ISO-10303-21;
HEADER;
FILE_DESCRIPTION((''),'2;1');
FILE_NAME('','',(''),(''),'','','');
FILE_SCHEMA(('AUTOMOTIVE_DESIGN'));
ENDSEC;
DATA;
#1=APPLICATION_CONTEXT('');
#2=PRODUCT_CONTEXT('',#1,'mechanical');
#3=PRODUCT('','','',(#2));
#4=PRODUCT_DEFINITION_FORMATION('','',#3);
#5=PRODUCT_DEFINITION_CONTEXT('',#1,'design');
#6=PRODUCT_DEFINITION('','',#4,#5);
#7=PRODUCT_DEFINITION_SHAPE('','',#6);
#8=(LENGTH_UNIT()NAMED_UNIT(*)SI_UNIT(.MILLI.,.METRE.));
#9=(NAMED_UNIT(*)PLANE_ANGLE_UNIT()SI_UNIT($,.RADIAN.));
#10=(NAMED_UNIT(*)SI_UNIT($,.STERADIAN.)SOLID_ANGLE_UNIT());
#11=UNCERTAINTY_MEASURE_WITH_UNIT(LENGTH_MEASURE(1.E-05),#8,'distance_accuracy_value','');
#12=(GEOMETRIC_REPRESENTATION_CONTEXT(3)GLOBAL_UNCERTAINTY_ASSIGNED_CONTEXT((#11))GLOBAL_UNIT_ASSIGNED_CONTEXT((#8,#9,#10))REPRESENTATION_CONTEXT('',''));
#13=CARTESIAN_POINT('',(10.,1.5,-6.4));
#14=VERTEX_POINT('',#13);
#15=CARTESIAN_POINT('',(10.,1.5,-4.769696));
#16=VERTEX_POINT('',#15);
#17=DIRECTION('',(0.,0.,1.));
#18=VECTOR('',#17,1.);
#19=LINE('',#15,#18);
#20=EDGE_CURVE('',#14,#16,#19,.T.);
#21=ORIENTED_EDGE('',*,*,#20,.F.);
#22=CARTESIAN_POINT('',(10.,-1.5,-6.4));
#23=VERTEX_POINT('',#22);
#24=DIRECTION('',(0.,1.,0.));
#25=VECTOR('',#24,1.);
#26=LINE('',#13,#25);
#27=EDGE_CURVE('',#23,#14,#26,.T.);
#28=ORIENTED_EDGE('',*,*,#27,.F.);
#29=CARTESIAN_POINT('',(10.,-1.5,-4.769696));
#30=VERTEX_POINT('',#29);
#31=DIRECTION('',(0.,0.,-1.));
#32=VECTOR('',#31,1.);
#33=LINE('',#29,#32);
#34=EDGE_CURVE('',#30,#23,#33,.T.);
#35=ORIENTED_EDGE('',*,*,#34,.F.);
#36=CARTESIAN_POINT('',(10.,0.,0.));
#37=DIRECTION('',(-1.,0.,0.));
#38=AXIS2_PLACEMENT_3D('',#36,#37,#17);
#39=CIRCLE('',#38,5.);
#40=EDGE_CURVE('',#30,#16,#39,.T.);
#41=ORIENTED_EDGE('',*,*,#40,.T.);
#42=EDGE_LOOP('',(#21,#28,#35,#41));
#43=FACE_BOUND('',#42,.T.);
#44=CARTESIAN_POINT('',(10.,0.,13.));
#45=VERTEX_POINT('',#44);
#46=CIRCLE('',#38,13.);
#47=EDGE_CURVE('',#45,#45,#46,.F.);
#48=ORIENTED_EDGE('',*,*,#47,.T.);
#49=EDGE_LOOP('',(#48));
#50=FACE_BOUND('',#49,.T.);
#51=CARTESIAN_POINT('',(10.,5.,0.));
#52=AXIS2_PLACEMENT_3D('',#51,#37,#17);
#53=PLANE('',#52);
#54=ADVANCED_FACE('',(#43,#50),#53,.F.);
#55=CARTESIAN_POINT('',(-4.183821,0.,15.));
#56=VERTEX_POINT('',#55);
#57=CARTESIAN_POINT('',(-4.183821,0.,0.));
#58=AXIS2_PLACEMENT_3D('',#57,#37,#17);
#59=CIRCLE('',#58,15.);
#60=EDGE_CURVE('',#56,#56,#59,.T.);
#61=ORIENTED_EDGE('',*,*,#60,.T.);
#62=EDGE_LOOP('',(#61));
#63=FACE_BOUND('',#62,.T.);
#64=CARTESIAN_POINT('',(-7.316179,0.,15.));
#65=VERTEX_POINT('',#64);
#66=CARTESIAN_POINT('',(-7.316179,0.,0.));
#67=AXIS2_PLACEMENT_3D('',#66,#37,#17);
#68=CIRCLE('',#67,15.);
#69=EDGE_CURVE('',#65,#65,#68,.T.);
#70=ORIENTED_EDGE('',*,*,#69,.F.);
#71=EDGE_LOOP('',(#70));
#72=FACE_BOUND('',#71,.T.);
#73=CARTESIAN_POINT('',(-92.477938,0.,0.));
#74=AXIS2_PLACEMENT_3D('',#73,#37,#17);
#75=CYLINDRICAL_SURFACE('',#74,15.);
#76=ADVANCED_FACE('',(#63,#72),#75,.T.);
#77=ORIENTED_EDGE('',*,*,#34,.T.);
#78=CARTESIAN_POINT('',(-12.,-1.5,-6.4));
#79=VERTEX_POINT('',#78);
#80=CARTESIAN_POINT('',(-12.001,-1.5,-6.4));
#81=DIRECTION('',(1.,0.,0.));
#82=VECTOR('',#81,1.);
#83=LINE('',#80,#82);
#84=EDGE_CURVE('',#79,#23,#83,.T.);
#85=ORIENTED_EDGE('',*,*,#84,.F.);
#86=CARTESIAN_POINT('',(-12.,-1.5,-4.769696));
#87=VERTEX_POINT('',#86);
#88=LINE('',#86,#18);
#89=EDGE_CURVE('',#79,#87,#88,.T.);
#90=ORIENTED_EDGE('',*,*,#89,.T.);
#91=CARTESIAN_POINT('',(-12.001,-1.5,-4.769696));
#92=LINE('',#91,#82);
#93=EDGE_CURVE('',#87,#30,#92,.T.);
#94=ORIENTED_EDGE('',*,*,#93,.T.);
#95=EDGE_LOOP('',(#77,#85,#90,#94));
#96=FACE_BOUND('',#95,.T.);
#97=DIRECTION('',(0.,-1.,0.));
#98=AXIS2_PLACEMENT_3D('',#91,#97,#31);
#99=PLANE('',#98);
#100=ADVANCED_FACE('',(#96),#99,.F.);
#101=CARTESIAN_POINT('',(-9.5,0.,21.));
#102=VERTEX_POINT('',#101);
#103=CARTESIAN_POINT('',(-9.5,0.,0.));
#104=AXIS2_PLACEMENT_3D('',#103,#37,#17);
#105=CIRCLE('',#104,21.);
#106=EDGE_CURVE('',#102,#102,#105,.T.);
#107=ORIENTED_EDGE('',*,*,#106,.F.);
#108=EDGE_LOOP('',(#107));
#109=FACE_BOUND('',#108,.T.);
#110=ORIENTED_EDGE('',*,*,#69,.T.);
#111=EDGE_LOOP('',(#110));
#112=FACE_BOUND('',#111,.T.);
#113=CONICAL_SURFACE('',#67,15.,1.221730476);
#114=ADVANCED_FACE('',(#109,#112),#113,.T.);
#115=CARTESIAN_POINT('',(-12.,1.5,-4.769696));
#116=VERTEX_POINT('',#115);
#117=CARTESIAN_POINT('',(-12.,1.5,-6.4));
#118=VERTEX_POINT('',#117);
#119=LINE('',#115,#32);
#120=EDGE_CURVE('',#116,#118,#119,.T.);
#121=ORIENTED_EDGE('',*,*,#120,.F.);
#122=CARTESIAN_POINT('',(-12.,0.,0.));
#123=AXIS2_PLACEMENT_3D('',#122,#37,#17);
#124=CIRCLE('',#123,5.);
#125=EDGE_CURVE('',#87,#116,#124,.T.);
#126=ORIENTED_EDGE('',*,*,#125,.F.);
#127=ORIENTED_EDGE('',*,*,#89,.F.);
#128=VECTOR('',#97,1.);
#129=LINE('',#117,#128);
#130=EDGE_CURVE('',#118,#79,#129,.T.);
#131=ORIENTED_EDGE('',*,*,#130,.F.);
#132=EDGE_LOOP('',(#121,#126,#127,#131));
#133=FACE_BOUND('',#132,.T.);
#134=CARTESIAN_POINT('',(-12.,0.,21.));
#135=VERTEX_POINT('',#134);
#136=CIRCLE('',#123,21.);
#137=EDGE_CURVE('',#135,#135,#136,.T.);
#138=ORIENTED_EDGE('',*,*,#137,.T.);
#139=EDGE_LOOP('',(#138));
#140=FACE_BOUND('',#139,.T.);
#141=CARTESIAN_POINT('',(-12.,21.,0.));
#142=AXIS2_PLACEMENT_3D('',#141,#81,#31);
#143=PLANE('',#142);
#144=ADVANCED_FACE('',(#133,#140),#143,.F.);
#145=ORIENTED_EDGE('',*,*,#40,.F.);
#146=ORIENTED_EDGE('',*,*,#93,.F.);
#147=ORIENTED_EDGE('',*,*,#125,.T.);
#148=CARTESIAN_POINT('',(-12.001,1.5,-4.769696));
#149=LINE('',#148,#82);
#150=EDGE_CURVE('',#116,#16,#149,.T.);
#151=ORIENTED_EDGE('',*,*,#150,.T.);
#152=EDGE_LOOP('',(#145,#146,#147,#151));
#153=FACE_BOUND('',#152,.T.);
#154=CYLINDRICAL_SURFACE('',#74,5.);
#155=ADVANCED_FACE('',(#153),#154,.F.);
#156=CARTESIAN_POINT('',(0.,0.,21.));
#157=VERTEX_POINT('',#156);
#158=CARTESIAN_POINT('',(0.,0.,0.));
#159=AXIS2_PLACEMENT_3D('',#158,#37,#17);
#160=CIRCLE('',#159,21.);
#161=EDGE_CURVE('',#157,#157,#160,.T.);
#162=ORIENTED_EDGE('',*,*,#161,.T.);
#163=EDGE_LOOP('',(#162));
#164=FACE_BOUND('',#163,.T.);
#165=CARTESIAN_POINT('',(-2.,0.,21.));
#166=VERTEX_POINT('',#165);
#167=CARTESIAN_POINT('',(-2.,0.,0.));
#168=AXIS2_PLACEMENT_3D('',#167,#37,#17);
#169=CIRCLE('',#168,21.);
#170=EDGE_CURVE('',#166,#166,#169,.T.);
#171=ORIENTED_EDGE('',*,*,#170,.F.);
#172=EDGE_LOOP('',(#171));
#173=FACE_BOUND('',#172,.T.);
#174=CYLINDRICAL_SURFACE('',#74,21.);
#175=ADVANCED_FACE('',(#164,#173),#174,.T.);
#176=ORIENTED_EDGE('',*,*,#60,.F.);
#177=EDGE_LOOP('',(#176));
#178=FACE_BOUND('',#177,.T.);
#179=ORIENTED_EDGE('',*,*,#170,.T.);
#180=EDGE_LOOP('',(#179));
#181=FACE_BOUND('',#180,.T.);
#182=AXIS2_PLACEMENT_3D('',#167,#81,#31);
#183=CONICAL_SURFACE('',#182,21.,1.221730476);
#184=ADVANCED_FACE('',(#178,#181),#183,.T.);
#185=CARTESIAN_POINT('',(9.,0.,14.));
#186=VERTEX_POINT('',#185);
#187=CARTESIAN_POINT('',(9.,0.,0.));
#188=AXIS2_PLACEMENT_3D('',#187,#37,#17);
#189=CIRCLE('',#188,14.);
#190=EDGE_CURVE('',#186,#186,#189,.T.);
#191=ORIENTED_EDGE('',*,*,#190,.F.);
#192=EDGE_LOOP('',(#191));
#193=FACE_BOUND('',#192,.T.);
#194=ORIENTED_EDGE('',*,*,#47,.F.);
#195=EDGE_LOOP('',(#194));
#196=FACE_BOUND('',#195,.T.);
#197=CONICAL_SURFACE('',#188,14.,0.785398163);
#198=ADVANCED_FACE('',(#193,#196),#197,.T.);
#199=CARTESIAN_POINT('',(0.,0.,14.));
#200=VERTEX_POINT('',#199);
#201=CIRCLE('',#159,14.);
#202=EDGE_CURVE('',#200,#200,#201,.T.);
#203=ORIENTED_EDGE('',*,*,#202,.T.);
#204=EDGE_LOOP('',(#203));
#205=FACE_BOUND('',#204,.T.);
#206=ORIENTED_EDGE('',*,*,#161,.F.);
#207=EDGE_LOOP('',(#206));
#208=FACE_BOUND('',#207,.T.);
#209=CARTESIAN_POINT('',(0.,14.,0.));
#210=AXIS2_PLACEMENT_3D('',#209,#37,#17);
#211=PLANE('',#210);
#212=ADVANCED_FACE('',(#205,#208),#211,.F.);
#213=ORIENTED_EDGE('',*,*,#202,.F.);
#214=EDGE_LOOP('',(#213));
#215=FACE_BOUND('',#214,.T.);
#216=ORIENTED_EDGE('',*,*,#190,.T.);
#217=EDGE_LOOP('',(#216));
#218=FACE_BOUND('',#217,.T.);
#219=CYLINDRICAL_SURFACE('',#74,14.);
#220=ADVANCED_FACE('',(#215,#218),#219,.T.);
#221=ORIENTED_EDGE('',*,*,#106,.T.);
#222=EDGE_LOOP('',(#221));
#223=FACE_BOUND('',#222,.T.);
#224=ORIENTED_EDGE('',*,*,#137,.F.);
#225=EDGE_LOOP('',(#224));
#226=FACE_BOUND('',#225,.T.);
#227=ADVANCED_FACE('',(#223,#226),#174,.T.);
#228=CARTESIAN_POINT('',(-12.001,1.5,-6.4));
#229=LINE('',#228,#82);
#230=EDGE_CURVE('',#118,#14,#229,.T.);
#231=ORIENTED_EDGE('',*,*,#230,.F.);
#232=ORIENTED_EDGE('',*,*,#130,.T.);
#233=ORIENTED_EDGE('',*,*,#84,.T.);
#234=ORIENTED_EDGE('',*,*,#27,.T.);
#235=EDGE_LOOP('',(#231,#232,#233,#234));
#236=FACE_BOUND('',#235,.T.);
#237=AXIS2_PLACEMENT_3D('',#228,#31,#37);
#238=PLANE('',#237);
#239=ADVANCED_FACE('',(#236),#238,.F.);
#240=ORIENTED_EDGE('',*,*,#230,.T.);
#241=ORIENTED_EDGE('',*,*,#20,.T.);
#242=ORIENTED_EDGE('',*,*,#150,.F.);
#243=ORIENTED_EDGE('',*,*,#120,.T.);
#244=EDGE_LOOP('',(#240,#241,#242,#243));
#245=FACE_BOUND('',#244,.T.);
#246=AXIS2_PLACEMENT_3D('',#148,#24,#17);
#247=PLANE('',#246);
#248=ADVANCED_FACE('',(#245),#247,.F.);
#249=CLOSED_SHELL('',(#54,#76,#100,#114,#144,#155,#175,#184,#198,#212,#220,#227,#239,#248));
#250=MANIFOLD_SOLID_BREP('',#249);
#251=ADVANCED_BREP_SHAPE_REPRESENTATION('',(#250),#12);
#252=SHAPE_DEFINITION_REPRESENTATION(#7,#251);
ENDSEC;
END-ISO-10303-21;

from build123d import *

# Parameters (mm, degrees)
CHAMFER1_SIZE      = 1
CUT_EXTRUDE1_REACH = 38.959


with BuildPart() as part:
    # Sketch1 → Revolve1 (revolve)
    with BuildSketch(Plane.XY, mode=Mode.PRIVATE) as revolve1_sk:
        Polygon((-12, 5), (10, 5), (10, 14), (0, 14), (0, 21), (-2, 21), (-4.183821406, 15), (-7.316178594, 15), (-9.5, 21), (-12, 21), align=None)
    revolve(revolve1_sk.sketch.rotate(Axis((-92.477937902, 0, 0), (1, 0, 0)), 90), axis=Axis((-92.477937902, 0, 0), (1, 0, 0)))

    # Chamfer1
    chamfer1_edges = [part.edges().sort_by_distance(p)[0] for p in [
        (10, 0, -14),
    ]]
    chamfer(chamfer1_edges, length=CHAMFER1_SIZE)

    # Sketch2 → Cut-Extrude1 (cut, up to next)
    with BuildSketch(Plane(origin=(10, 0, 0), x_dir=(0, 0, -1), z_dir=(1, 0, 0)), mode=Mode.PRIVATE) as cut_extrude1_sk1:
        with BuildLine():
            Line((4.769696007, 1.5), (6.4, 1.5))
            Line((6.4, 1.5), (6.4, -1.5))
            Line((6.4, -1.5), (4.769696007, -1.5))
            ThreePointArc((4.769696007, -1.5), (5, 0), (4.769696007, 1.5))
        make_face()
    cut_extrude1_tool1 = extrude(cut_extrude1_sk1.sketch, amount=-CUT_EXTRUDE1_REACH, mode=Mode.PRIVATE) & part.part
    add(cut_extrude1_tool1.solids().sort_by_distance((10, 0, -5.660391))[0], mode=Mode.SUBTRACT)


solid = part.part
